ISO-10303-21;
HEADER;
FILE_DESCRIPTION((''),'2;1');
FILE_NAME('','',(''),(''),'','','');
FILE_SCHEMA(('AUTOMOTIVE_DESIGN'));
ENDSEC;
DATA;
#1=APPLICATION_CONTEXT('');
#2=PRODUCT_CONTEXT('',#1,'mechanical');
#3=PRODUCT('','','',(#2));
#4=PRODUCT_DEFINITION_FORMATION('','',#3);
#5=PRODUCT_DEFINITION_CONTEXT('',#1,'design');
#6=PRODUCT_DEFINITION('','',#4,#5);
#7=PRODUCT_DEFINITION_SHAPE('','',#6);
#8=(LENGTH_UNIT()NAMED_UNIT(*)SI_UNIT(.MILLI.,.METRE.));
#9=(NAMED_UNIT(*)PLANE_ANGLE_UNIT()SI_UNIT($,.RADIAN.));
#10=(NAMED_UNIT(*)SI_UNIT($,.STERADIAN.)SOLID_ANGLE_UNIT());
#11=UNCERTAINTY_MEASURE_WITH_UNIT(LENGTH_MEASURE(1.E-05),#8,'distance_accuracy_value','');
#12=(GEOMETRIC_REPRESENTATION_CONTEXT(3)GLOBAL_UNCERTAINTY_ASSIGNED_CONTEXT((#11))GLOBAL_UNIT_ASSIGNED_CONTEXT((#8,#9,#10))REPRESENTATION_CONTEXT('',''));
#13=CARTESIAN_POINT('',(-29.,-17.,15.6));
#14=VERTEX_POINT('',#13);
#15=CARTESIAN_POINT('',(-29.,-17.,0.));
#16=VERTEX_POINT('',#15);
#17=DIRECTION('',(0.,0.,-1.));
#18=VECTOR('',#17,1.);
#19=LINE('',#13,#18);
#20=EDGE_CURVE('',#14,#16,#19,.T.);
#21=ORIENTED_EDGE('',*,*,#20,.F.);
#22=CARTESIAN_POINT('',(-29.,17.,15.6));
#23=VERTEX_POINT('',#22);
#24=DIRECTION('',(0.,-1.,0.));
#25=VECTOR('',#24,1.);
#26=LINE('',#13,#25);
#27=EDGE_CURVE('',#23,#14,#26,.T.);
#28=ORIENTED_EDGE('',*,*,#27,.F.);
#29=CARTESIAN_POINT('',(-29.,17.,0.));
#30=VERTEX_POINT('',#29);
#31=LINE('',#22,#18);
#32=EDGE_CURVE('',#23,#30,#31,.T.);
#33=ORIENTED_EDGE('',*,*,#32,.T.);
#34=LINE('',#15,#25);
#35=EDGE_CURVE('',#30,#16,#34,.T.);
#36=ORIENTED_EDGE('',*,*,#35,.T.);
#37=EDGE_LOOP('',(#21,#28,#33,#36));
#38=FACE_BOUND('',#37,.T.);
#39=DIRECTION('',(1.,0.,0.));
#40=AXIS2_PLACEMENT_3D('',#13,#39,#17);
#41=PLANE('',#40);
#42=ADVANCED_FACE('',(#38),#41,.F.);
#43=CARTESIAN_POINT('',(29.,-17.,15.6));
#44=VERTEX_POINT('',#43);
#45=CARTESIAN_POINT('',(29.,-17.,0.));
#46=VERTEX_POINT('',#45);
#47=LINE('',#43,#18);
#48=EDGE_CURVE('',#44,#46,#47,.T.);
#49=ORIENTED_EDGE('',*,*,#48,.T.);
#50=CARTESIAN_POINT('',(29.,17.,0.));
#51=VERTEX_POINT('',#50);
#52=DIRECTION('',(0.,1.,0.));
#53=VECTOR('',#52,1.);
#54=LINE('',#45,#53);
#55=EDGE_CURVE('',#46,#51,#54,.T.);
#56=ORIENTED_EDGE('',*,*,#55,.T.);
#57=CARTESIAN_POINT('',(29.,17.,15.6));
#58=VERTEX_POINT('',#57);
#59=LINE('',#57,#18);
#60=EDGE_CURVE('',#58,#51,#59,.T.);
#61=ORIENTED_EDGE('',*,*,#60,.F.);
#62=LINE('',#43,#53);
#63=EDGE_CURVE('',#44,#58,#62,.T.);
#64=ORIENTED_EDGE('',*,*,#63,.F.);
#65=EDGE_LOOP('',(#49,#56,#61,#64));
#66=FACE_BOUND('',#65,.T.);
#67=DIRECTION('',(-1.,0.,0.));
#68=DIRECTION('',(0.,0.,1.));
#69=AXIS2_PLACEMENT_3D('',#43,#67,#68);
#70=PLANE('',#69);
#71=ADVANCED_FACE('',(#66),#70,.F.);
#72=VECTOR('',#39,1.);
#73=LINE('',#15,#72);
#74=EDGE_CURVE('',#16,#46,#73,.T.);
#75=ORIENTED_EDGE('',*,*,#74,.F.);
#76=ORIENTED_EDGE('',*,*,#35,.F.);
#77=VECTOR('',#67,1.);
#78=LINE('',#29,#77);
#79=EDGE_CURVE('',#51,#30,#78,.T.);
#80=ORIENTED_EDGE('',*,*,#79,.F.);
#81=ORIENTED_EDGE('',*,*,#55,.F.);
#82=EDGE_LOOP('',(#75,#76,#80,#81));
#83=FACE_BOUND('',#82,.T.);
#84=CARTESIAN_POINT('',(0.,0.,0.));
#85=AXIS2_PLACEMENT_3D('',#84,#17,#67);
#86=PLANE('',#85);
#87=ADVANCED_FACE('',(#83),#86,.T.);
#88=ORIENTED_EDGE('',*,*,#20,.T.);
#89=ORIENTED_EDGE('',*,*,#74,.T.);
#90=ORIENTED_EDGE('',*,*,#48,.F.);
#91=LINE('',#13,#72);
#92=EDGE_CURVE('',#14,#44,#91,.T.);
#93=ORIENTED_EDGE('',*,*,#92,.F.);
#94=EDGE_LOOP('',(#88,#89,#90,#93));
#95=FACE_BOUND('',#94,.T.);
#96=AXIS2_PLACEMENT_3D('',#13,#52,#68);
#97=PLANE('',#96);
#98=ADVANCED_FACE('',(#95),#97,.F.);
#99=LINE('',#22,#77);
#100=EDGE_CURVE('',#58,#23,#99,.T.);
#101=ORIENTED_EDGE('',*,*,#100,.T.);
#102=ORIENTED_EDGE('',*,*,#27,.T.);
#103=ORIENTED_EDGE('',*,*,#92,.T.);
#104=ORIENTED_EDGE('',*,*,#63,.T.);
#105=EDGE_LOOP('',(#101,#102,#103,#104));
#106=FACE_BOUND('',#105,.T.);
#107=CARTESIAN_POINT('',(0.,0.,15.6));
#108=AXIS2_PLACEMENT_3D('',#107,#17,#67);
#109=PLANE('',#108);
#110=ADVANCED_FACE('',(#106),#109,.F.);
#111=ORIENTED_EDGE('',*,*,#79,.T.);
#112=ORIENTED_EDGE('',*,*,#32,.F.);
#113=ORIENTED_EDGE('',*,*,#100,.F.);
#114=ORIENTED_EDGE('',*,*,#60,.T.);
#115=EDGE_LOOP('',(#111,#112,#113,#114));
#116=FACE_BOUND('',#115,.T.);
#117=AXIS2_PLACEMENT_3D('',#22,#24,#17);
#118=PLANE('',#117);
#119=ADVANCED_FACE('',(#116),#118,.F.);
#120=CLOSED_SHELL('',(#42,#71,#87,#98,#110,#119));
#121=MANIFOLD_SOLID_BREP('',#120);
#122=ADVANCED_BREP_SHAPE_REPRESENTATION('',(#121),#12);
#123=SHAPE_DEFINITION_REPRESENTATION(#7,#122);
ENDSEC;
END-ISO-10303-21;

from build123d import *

# Parameters (mm, degrees)
SKETCH1_W      = 58
SKETCH1_H      = 34
ENVELOPE_DEPTH = 15.6


with BuildPart() as part:
    # Sketch1 → Envelope (new body)
    with BuildSketch(Plane.XY):
        Rectangle(SKETCH1_W, SKETCH1_H)
    extrude(amount=ENVELOPE_DEPTH)


solid = part.part
